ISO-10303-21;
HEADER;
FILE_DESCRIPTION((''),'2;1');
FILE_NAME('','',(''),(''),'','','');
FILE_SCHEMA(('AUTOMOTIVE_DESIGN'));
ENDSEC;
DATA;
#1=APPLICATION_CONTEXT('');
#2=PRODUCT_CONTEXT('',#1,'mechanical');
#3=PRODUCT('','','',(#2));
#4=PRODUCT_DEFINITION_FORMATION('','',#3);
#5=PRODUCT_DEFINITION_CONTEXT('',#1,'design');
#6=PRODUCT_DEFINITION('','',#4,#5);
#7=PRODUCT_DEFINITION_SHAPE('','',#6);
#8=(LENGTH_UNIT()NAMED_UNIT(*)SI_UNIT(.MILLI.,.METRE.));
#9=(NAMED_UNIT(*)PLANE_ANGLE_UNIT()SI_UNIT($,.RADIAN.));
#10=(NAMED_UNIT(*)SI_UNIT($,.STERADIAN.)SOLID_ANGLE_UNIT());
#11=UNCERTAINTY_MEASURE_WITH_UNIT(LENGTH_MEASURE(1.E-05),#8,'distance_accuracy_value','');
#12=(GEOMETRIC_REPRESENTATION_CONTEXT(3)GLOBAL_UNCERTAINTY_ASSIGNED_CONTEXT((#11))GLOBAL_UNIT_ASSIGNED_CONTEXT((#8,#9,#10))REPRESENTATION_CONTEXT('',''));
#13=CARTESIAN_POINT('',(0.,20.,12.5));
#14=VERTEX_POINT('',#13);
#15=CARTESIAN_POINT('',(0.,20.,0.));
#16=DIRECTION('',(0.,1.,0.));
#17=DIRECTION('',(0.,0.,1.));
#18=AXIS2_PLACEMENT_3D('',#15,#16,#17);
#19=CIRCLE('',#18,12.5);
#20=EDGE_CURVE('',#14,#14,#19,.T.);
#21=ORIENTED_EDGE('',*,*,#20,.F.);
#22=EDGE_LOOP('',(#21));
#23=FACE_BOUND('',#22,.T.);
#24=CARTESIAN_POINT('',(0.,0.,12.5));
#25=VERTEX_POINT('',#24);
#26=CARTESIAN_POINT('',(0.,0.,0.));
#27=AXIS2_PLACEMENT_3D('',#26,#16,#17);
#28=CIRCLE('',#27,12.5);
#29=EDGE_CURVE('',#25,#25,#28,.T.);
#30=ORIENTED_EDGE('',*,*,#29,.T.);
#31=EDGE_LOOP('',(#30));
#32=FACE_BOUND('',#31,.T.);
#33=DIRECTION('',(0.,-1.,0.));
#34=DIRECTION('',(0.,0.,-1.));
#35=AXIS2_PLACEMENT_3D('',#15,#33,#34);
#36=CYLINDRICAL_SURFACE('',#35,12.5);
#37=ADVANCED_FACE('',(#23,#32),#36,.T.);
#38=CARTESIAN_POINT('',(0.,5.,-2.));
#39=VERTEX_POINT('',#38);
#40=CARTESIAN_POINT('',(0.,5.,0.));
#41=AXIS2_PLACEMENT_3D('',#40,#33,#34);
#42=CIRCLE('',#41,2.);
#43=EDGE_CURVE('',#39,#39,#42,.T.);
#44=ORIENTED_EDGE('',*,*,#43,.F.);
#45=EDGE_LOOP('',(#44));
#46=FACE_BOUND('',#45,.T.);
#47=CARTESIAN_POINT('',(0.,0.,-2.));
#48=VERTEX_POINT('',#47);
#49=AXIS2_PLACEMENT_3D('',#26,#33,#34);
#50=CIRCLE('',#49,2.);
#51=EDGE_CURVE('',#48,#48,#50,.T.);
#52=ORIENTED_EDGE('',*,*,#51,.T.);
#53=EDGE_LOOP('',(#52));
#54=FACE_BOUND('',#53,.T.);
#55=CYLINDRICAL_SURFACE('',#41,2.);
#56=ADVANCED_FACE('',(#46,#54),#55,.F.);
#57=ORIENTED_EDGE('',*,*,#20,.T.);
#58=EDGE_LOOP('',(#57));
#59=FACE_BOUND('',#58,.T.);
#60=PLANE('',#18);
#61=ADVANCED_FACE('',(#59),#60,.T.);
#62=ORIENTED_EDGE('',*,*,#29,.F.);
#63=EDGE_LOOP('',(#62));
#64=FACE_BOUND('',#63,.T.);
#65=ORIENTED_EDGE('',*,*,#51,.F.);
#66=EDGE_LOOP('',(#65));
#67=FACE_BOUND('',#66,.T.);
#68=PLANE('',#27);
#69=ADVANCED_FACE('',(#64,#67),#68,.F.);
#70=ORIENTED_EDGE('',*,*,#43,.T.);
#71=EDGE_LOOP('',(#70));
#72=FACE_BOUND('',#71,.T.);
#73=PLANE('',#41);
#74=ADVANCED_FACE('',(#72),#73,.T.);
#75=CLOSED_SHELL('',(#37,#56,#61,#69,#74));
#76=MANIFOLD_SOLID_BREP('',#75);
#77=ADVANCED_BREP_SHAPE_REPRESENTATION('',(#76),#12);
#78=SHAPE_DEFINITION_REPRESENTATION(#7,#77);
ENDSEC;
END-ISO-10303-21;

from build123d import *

# Parameters (mm, degrees)
SKETCH1_R           = 12.5
BOSS_EXTRUDE1_DEPTH = 20
SKETCH2_R           = 2
CUT_EXTRUDE1_DEPTH  = 5


with BuildPart() as part:
    # Sketch1 → Boss-Extrude1 (new body)
    with BuildSketch(Plane(origin=(0, 0, 0), x_dir=(1, 0, 0), z_dir=(0, 1, 0))):
        Circle(SKETCH1_R)
    extrude(amount=BOSS_EXTRUDE1_DEPTH)

    # Sketch2 → Cut-Extrude1 (cut)
    with BuildSketch(Plane.XZ):
        Circle(SKETCH2_R)
    extrude(amount=-CUT_EXTRUDE1_DEPTH, mode=Mode.SUBTRACT)


solid = part.part
